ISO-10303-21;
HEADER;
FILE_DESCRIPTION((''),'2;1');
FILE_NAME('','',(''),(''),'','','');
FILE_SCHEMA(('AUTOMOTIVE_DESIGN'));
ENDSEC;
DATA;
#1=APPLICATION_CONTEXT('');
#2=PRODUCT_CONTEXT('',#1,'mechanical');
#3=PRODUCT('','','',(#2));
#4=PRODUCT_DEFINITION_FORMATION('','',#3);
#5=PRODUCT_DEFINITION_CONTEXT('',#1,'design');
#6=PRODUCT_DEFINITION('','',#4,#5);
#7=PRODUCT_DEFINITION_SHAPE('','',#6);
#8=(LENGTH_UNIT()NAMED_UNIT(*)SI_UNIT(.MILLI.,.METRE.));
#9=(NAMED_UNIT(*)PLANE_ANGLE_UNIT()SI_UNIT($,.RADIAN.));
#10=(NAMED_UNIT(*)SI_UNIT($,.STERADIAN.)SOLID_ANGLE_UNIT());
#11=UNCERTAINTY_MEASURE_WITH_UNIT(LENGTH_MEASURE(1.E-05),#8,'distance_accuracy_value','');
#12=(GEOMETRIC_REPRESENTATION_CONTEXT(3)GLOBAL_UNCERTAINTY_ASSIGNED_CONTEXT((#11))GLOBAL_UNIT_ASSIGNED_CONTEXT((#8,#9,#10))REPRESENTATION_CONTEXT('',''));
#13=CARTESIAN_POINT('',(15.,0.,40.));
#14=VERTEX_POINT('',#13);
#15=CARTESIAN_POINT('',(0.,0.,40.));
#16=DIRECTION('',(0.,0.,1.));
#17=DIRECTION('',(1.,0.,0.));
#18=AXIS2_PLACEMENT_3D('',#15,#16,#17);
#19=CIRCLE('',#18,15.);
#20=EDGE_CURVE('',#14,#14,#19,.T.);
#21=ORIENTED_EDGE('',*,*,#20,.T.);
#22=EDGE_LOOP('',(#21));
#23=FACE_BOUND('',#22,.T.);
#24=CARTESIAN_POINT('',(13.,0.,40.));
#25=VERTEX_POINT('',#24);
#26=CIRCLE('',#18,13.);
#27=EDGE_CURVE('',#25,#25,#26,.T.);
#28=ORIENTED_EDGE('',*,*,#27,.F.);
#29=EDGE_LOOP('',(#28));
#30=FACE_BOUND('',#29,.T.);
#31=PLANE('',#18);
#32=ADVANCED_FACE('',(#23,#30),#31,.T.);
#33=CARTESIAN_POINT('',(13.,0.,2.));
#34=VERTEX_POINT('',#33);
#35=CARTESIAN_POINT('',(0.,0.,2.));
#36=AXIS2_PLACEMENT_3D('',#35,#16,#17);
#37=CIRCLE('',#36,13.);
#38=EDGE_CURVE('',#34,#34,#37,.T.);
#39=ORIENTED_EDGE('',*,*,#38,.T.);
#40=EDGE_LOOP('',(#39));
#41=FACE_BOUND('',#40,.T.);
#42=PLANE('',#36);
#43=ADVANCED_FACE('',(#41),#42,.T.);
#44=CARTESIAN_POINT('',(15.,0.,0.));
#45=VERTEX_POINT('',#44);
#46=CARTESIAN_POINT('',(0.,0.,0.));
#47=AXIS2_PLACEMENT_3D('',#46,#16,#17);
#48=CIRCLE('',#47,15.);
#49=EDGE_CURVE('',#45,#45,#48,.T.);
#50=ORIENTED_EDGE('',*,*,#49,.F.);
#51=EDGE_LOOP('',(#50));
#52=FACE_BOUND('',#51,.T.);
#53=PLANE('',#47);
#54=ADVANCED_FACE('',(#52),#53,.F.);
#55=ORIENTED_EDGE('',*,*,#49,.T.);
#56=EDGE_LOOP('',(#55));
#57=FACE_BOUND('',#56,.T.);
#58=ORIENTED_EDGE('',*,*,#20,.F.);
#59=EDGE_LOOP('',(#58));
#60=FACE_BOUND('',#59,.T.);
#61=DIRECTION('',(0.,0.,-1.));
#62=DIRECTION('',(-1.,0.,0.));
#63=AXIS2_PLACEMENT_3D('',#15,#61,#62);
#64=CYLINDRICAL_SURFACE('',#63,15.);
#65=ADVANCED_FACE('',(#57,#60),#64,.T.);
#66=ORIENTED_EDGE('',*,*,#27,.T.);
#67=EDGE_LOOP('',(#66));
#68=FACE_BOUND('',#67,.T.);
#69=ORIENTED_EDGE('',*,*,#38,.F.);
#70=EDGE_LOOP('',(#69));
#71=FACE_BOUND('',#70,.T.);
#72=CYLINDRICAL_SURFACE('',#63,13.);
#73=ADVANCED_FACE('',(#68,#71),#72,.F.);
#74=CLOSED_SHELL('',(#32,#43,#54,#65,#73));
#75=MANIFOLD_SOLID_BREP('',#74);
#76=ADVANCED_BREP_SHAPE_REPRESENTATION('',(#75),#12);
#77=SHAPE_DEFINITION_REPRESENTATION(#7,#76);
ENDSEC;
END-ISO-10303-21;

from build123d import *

# Parameters (mm, degrees)
SKETCH4_R           = 15
BOSS_EXTRUDE3_DEPTH = 40
SHELL1_T            = -2


with BuildPart() as part:
    # Sketch4 → Boss-Extrude3 (new body)
    with BuildSketch(Plane.XY):
        Circle(SKETCH4_R)
    extrude(amount=BOSS_EXTRUDE3_DEPTH)

    # Shell1
    shell1_openings = [part.faces().sort_by_distance(p)[0] for p in [
        (0, 0, 40),
    ]]
    offset(amount=SHELL1_T, openings=shell1_openings, kind=Kind.INTERSECTION)


solid = part.part
